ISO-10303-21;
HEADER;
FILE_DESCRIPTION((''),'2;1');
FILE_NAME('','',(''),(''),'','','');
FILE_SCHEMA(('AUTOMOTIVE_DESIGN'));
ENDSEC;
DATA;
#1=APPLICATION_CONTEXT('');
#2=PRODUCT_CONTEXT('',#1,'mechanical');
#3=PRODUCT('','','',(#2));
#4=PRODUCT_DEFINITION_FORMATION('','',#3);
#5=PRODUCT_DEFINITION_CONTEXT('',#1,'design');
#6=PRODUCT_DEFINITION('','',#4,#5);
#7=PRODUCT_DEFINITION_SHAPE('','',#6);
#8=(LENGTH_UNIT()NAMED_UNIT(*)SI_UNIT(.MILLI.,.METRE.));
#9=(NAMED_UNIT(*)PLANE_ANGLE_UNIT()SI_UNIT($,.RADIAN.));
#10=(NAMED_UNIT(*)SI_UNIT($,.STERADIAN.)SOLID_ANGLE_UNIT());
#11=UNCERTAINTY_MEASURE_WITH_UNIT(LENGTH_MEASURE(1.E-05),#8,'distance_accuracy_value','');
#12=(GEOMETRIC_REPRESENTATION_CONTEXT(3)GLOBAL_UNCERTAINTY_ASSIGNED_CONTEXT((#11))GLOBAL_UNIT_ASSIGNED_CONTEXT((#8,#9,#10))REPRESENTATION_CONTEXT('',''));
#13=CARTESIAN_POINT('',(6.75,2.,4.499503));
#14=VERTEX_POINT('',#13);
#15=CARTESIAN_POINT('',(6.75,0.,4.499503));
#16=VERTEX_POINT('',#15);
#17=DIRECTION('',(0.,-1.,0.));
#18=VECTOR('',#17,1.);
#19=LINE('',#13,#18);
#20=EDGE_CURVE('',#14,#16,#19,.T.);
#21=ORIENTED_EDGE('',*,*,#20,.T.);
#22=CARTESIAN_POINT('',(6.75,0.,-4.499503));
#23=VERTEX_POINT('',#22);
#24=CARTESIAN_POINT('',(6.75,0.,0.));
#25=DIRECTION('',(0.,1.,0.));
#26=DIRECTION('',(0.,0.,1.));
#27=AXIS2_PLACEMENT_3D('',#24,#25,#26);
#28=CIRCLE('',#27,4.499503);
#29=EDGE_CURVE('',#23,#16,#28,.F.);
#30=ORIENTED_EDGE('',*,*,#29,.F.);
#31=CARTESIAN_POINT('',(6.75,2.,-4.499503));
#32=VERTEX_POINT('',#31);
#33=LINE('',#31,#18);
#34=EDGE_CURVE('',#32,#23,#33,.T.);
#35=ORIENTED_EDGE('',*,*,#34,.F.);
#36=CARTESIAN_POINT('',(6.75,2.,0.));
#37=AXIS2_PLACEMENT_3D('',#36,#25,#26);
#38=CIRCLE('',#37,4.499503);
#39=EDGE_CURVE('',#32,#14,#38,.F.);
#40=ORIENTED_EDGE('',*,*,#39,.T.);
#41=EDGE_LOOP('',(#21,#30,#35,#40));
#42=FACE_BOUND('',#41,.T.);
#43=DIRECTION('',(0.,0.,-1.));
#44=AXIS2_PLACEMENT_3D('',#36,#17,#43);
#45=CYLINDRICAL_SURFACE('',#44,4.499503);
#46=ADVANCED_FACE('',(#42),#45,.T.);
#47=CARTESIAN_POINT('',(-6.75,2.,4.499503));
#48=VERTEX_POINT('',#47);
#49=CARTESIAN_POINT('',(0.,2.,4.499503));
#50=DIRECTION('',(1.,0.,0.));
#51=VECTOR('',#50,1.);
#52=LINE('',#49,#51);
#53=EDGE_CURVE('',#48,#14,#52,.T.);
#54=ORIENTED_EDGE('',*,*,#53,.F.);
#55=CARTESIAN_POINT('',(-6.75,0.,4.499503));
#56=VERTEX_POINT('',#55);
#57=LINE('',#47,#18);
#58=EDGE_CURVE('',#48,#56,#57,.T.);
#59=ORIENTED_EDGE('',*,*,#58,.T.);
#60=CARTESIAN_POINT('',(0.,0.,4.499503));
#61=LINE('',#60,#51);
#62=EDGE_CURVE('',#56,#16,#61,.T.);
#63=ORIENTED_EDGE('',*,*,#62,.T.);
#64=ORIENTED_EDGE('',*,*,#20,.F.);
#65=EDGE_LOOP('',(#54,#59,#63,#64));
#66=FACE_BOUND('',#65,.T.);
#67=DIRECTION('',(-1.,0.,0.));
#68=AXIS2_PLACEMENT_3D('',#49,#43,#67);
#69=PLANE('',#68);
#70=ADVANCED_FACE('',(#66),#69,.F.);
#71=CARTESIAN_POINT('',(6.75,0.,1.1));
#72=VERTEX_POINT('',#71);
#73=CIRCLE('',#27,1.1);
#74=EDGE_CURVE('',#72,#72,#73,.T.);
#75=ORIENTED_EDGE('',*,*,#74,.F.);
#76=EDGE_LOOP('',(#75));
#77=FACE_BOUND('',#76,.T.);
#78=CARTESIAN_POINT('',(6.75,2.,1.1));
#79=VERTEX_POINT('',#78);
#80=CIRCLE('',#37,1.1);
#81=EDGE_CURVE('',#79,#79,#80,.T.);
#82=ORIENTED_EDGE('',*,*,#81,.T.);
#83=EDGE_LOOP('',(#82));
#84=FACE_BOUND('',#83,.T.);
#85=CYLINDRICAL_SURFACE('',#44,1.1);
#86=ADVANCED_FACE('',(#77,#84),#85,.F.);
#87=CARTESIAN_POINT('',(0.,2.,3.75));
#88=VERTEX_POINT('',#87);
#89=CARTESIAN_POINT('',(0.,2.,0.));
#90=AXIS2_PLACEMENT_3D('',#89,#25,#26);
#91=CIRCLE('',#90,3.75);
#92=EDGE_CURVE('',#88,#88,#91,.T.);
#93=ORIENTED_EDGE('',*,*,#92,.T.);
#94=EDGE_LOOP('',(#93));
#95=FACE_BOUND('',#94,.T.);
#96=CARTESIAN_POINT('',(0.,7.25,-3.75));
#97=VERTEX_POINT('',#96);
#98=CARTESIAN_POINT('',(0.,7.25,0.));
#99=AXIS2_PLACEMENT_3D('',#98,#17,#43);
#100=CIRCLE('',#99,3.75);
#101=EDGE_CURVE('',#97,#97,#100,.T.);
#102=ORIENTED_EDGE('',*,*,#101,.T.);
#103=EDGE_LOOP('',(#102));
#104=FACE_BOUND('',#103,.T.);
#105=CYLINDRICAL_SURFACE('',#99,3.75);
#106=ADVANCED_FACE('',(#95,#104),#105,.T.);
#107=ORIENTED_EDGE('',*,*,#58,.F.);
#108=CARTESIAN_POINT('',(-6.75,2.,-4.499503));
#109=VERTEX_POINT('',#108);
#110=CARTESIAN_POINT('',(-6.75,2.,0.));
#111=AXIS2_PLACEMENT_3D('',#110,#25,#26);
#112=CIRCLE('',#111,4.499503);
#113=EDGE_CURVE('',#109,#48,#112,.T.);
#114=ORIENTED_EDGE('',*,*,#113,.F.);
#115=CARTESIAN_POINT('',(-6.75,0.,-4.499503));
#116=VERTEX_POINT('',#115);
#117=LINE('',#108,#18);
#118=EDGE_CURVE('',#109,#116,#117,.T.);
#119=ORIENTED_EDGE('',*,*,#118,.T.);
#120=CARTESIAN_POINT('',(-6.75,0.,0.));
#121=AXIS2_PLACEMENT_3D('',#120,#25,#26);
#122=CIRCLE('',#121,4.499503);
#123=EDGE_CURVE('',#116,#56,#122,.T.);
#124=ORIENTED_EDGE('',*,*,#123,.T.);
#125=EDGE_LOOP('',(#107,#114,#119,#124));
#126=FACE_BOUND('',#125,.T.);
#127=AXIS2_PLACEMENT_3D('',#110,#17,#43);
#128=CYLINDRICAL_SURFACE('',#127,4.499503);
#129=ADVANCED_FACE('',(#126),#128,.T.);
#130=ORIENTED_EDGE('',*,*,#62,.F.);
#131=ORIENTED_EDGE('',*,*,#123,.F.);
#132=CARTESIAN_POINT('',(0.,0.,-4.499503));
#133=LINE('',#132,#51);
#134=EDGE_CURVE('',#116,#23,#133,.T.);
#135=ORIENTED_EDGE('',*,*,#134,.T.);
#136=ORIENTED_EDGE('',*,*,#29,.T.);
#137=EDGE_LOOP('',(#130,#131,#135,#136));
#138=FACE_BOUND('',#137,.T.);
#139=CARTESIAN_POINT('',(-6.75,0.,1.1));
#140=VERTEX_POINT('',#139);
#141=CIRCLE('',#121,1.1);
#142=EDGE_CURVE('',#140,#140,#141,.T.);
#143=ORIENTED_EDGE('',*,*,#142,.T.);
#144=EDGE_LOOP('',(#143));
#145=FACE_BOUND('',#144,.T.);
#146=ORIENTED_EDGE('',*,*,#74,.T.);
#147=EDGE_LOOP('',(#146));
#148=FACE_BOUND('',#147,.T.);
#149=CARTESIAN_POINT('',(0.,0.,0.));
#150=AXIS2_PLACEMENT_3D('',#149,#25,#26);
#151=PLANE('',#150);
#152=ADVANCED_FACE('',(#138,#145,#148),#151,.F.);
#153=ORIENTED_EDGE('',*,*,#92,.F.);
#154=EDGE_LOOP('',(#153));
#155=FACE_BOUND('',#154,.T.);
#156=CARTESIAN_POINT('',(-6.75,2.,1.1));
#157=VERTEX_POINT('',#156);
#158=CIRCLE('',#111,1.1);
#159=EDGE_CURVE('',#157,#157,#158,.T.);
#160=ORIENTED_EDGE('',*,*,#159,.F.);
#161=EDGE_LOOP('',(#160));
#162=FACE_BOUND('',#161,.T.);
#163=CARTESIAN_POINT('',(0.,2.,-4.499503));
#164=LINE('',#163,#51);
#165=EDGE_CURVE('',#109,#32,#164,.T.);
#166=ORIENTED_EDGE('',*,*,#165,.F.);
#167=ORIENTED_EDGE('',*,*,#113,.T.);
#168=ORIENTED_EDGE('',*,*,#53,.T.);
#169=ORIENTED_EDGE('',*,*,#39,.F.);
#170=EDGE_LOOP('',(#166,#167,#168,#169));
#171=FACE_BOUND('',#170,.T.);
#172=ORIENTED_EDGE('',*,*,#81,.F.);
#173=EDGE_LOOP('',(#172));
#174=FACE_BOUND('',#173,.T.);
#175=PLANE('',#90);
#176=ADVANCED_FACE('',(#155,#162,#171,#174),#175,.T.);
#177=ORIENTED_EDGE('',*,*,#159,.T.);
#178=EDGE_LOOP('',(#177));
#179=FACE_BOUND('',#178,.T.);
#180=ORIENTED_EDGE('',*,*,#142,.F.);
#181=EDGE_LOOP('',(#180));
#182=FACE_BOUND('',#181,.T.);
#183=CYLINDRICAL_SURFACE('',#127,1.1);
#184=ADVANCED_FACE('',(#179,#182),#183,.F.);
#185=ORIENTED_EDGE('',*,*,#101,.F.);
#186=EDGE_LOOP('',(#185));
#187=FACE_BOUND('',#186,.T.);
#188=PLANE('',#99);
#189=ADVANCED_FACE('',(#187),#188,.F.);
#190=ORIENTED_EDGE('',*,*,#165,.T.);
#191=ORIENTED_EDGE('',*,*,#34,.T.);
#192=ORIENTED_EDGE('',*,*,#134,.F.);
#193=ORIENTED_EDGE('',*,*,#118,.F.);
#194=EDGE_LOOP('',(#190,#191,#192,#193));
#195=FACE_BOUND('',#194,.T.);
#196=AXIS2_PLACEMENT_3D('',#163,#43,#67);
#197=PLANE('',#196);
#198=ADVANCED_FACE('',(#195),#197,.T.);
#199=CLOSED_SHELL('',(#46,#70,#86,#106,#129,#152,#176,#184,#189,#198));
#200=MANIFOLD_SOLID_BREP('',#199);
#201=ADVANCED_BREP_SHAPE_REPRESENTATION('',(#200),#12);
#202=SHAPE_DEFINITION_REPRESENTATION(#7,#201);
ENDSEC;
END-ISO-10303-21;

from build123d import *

# Parameters (mm, degrees)
SKETCH1_R           = 1.1
SKETCH1_R_2         = 3.75
BOSS_EXTRUDE3_DEPTH = 2
SKETCH3_R           = 3.75
BOSS_EXTRUDE4_DEPTH = 7.25


with BuildPart() as part:
    # Sketch1 → Boss-Extrude3 (new body)
    with BuildSketch(Plane(origin=(0, 0, 0), x_dir=(1, 0, 0), z_dir=(0, 1, 0))):
        with BuildLine():
            Line((-6.75, 4.499502967), (6.75, 4.499502967))
            ThreePointArc((6.75, 4.499502967), (11.249502967, 0), (6.75, -4.499502967))
            Line((6.75, -4.499502967), (-6.75, -4.499502967))
            ThreePointArc((-6.75, -4.499502967), (-11.249502967, 0), (-6.75, 4.499502967))
        make_face()
        with Locations((-6.75, 0)):
            Circle(SKETCH1_R, mode=Mode.SUBTRACT)
        with Locations((6.75, 0)):
            Circle(SKETCH1_R, mode=Mode.SUBTRACT)
        Circle(SKETCH1_R_2, mode=Mode.SUBTRACT)
    extrude(amount=BOSS_EXTRUDE3_DEPTH)

    # Sketch3 → Boss-Extrude4 (add)
    with BuildSketch(Plane.XZ):
        Circle(SKETCH3_R)
    extrude(amount=-BOSS_EXTRUDE4_DEPTH)


solid = part.part
